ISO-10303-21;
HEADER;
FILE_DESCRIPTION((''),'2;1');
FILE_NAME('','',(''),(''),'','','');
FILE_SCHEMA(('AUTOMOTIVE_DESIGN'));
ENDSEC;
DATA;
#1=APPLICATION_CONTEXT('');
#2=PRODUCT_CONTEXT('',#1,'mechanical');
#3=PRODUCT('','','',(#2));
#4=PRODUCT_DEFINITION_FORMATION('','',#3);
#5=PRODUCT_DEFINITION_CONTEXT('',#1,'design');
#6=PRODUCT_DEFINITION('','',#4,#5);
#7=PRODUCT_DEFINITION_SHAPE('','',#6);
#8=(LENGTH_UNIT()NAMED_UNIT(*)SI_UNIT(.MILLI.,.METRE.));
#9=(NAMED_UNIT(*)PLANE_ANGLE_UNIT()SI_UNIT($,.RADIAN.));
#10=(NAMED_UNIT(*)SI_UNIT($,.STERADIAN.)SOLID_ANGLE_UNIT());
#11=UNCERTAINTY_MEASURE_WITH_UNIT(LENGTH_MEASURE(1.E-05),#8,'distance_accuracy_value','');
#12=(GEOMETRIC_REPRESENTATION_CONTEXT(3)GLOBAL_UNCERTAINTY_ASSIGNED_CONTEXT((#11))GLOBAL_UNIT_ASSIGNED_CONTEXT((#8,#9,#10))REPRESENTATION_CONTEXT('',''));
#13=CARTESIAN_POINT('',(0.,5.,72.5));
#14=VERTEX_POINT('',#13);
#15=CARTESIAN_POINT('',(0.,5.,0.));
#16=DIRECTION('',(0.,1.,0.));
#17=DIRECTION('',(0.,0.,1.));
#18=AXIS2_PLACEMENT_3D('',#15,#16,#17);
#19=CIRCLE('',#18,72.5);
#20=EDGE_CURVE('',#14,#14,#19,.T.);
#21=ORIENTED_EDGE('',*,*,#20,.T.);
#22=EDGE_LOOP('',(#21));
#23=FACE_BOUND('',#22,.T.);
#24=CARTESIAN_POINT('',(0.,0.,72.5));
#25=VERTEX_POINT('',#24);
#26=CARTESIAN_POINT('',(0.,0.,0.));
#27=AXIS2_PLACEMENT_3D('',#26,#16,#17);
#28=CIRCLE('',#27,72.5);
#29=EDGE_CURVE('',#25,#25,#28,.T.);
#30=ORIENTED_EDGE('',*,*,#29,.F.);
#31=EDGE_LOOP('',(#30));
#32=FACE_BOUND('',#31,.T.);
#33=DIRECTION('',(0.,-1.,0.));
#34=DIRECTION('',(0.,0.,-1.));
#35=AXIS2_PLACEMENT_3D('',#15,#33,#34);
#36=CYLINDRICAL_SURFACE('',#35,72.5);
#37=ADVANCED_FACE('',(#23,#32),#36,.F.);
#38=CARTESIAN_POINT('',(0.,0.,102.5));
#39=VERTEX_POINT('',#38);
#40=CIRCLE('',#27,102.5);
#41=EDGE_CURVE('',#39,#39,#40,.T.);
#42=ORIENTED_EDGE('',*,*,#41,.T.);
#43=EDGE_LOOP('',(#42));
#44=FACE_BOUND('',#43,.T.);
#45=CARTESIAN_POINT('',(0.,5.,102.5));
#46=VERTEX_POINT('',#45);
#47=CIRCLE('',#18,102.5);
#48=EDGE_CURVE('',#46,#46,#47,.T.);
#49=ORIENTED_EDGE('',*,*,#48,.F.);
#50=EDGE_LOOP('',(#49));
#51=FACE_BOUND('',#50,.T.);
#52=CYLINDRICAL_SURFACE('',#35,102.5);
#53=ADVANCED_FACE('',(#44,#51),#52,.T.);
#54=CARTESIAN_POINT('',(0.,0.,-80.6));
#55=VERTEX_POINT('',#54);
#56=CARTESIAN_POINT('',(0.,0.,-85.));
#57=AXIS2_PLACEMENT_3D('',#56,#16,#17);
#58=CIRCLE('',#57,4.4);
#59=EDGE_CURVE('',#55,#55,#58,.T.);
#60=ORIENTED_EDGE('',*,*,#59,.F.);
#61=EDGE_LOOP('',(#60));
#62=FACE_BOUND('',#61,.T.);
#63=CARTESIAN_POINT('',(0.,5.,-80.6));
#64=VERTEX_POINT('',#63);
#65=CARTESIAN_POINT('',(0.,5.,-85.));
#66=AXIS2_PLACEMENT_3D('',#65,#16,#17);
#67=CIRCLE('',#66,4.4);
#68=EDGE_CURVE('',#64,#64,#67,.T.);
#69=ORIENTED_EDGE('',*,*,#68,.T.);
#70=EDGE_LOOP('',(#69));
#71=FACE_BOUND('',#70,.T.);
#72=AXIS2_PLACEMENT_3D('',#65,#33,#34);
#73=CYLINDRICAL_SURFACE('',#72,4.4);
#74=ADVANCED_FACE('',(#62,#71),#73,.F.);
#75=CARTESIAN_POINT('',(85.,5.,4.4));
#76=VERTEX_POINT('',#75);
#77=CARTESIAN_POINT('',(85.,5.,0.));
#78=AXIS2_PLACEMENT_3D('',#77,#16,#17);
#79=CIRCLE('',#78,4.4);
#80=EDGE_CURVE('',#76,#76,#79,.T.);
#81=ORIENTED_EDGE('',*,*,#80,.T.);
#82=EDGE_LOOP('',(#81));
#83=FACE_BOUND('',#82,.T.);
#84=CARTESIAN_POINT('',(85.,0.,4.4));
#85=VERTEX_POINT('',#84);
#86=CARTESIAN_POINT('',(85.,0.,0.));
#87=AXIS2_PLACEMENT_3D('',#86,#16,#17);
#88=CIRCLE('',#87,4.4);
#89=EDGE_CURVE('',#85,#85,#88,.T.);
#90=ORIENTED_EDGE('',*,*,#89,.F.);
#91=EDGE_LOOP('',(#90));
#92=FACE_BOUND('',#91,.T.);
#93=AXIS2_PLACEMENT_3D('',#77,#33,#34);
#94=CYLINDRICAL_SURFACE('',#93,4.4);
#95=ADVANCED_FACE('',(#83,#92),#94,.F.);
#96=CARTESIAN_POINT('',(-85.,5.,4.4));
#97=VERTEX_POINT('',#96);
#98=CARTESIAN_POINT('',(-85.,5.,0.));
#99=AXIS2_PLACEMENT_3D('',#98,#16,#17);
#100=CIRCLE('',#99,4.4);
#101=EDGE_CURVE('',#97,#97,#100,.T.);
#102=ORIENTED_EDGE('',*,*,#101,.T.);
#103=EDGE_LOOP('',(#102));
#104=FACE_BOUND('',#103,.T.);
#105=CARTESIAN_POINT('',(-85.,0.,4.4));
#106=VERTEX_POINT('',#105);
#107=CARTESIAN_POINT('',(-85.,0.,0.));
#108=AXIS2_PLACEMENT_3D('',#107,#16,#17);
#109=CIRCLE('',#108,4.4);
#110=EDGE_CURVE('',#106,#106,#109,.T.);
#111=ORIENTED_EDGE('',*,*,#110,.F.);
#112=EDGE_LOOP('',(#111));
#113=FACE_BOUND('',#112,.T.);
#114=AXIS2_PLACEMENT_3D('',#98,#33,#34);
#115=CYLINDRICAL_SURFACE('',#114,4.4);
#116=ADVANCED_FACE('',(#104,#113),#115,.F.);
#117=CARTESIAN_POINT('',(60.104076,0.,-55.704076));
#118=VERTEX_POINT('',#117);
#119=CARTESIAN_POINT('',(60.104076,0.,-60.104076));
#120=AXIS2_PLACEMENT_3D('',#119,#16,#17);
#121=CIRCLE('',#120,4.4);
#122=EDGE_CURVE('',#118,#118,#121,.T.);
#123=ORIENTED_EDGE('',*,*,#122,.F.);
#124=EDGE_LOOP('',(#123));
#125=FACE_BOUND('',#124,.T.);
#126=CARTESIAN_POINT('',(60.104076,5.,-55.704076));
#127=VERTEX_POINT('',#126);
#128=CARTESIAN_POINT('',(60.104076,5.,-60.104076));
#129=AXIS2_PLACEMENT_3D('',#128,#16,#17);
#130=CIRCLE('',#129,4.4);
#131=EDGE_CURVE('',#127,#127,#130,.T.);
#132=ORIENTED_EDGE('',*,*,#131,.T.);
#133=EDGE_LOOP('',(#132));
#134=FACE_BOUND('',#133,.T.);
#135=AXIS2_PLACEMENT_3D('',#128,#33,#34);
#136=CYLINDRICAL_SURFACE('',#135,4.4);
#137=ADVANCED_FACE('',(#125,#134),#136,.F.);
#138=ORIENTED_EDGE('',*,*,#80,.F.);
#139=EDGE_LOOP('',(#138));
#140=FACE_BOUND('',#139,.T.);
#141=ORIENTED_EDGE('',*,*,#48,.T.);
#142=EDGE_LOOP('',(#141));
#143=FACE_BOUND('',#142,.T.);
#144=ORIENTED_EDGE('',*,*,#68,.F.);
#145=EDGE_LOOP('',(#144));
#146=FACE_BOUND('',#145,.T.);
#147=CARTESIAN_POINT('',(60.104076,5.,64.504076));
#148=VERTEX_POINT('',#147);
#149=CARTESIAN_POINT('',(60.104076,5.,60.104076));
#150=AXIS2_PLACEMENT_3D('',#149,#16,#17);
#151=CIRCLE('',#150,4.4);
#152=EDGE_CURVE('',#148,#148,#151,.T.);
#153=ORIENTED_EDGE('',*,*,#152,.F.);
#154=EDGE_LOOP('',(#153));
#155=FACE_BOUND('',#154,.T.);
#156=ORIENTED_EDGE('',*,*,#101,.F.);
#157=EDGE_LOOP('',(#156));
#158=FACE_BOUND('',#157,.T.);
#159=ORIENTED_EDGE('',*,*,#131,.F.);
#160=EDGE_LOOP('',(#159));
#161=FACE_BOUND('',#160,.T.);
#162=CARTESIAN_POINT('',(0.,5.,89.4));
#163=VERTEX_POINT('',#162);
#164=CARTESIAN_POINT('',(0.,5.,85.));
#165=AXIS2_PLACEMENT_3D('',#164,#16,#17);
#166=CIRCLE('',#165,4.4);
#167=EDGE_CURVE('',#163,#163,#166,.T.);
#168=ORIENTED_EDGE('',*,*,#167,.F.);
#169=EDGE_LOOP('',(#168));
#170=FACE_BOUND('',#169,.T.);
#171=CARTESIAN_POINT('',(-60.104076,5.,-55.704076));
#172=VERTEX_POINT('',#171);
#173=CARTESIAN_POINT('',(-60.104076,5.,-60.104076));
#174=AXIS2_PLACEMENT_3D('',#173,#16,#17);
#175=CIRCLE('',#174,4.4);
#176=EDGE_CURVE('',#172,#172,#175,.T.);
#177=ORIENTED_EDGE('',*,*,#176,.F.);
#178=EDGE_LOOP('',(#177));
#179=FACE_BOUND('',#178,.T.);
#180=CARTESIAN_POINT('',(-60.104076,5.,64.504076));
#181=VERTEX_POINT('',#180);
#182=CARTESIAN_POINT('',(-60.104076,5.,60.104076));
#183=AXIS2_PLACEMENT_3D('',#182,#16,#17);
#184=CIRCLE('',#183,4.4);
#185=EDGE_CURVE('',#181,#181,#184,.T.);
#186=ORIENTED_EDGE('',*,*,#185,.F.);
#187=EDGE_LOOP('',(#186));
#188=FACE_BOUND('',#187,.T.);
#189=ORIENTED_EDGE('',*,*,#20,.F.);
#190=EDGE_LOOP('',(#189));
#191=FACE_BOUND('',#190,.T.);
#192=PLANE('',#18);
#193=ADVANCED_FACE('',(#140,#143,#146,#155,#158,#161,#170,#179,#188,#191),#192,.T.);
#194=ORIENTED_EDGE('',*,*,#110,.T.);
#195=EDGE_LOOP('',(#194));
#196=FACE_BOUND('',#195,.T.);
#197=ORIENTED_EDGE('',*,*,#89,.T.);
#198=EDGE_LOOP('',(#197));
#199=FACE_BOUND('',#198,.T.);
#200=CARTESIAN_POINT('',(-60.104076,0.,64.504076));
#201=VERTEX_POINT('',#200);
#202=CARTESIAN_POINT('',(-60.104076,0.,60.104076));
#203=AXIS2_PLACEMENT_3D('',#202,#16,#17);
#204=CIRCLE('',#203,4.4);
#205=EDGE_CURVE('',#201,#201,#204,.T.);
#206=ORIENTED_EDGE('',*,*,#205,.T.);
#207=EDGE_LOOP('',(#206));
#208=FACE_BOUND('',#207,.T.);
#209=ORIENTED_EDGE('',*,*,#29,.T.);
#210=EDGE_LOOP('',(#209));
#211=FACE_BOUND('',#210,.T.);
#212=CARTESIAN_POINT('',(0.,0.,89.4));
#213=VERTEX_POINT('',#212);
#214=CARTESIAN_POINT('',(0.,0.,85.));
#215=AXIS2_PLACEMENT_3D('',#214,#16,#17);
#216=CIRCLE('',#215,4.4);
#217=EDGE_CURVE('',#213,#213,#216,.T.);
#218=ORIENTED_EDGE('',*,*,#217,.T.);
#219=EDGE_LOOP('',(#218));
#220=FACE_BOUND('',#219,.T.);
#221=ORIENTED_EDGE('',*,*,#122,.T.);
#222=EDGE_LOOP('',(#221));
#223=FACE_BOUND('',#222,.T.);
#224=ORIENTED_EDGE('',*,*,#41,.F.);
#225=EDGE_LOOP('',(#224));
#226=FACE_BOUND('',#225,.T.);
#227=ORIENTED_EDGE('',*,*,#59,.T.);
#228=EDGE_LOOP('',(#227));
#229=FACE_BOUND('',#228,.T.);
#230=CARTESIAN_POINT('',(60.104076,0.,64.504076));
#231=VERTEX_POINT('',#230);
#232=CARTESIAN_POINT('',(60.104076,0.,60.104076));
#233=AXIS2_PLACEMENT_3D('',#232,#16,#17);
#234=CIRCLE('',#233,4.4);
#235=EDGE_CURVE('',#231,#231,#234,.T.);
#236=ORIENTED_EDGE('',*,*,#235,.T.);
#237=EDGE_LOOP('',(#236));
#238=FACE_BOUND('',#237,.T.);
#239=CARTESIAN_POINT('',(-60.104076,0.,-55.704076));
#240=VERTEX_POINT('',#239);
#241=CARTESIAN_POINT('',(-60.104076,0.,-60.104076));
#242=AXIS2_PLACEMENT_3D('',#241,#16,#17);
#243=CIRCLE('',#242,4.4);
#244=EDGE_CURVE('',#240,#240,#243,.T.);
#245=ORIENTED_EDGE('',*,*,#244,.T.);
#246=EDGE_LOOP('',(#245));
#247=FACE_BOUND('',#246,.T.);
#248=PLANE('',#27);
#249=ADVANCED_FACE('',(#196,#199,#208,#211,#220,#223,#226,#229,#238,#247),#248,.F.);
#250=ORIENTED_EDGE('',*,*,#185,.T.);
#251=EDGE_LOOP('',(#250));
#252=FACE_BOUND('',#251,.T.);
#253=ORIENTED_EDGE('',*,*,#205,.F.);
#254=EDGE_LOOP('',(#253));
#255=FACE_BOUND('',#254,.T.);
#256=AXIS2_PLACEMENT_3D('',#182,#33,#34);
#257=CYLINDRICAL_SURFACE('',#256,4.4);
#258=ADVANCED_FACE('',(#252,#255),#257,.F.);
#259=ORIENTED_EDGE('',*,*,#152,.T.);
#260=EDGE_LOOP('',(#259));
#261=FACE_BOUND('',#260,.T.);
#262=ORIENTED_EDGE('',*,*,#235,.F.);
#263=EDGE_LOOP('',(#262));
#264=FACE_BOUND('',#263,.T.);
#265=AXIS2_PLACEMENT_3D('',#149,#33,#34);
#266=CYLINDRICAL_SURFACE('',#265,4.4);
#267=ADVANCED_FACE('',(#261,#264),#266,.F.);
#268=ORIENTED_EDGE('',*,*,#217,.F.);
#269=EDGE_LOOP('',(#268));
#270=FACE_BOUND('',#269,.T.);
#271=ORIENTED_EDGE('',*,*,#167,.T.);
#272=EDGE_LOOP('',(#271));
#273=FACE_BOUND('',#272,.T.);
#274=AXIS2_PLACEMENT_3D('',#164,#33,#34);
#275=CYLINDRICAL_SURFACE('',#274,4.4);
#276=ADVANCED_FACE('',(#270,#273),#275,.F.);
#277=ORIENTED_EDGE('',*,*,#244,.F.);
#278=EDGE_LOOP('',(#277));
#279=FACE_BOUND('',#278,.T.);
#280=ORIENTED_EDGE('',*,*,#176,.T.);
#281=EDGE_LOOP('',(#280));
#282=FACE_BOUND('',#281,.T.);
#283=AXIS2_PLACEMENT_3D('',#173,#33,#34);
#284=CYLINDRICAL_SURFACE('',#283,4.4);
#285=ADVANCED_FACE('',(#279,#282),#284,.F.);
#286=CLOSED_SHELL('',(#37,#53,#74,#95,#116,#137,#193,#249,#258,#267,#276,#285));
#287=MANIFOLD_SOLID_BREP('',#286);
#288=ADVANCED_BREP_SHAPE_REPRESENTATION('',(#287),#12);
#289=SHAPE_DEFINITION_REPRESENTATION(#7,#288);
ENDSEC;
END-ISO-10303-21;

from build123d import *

# Parameters (mm, degrees)
SKETCH_1_R      = 102.5
SKETCH_1_R_2    = 72.5
SKETCH_1_R_3    = 4.4
EXTRUDE_1_DEPTH = 5


with BuildPart() as part:
    # Эскиз1 → Бобышка-Вытянуть1 (new body)
    with BuildSketch(Plane(origin=(0, 0, 0), x_dir=(1, 0, 0), z_dir=(0, 1, 0))):
        with Locations(Location((0, 0, 0), (0, 0, 270))):
            Circle(SKETCH_1_R)
        with Locations(Location((0, 0, 0), (0, 0, 270))):
            Circle(SKETCH_1_R_2, mode=Mode.SUBTRACT)
        with Locations(Location((85, 0, 0), (0, 0, 270))):
            Circle(SKETCH_1_R_3, mode=Mode.SUBTRACT)
        with Locations(Location((60.104076401, -60.104076401, 0), (0, 0, 270))):
            Circle(SKETCH_1_R_3, mode=Mode.SUBTRACT)
        with Locations(Location((0, -85, 0), (0, 0, 270))):
            Circle(SKETCH_1_R_3, mode=Mode.SUBTRACT)
        with Locations(Location((-60.104076401, -60.104076401, 0), (0, 0, 270))):
            Circle(SKETCH_1_R_3, mode=Mode.SUBTRACT)
        with Locations(Location((-85, 0, 0), (0, 0, 270))):
            Circle(SKETCH_1_R_3, mode=Mode.SUBTRACT)
        with Locations(Location((-60.104076401, 60.104076401, 0), (0, 0, 270))):
            Circle(SKETCH_1_R_3, mode=Mode.SUBTRACT)
        with Locations(Location((0, 85, 0), (0, 0, 270))):
            Circle(SKETCH_1_R_3, mode=Mode.SUBTRACT)
        with Locations(Location((60.104076401, 60.104076401, 0), (0, 0, 270))):
            Circle(SKETCH_1_R_3, mode=Mode.SUBTRACT)
    extrude(amount=EXTRUDE_1_DEPTH)


solid = part.part
